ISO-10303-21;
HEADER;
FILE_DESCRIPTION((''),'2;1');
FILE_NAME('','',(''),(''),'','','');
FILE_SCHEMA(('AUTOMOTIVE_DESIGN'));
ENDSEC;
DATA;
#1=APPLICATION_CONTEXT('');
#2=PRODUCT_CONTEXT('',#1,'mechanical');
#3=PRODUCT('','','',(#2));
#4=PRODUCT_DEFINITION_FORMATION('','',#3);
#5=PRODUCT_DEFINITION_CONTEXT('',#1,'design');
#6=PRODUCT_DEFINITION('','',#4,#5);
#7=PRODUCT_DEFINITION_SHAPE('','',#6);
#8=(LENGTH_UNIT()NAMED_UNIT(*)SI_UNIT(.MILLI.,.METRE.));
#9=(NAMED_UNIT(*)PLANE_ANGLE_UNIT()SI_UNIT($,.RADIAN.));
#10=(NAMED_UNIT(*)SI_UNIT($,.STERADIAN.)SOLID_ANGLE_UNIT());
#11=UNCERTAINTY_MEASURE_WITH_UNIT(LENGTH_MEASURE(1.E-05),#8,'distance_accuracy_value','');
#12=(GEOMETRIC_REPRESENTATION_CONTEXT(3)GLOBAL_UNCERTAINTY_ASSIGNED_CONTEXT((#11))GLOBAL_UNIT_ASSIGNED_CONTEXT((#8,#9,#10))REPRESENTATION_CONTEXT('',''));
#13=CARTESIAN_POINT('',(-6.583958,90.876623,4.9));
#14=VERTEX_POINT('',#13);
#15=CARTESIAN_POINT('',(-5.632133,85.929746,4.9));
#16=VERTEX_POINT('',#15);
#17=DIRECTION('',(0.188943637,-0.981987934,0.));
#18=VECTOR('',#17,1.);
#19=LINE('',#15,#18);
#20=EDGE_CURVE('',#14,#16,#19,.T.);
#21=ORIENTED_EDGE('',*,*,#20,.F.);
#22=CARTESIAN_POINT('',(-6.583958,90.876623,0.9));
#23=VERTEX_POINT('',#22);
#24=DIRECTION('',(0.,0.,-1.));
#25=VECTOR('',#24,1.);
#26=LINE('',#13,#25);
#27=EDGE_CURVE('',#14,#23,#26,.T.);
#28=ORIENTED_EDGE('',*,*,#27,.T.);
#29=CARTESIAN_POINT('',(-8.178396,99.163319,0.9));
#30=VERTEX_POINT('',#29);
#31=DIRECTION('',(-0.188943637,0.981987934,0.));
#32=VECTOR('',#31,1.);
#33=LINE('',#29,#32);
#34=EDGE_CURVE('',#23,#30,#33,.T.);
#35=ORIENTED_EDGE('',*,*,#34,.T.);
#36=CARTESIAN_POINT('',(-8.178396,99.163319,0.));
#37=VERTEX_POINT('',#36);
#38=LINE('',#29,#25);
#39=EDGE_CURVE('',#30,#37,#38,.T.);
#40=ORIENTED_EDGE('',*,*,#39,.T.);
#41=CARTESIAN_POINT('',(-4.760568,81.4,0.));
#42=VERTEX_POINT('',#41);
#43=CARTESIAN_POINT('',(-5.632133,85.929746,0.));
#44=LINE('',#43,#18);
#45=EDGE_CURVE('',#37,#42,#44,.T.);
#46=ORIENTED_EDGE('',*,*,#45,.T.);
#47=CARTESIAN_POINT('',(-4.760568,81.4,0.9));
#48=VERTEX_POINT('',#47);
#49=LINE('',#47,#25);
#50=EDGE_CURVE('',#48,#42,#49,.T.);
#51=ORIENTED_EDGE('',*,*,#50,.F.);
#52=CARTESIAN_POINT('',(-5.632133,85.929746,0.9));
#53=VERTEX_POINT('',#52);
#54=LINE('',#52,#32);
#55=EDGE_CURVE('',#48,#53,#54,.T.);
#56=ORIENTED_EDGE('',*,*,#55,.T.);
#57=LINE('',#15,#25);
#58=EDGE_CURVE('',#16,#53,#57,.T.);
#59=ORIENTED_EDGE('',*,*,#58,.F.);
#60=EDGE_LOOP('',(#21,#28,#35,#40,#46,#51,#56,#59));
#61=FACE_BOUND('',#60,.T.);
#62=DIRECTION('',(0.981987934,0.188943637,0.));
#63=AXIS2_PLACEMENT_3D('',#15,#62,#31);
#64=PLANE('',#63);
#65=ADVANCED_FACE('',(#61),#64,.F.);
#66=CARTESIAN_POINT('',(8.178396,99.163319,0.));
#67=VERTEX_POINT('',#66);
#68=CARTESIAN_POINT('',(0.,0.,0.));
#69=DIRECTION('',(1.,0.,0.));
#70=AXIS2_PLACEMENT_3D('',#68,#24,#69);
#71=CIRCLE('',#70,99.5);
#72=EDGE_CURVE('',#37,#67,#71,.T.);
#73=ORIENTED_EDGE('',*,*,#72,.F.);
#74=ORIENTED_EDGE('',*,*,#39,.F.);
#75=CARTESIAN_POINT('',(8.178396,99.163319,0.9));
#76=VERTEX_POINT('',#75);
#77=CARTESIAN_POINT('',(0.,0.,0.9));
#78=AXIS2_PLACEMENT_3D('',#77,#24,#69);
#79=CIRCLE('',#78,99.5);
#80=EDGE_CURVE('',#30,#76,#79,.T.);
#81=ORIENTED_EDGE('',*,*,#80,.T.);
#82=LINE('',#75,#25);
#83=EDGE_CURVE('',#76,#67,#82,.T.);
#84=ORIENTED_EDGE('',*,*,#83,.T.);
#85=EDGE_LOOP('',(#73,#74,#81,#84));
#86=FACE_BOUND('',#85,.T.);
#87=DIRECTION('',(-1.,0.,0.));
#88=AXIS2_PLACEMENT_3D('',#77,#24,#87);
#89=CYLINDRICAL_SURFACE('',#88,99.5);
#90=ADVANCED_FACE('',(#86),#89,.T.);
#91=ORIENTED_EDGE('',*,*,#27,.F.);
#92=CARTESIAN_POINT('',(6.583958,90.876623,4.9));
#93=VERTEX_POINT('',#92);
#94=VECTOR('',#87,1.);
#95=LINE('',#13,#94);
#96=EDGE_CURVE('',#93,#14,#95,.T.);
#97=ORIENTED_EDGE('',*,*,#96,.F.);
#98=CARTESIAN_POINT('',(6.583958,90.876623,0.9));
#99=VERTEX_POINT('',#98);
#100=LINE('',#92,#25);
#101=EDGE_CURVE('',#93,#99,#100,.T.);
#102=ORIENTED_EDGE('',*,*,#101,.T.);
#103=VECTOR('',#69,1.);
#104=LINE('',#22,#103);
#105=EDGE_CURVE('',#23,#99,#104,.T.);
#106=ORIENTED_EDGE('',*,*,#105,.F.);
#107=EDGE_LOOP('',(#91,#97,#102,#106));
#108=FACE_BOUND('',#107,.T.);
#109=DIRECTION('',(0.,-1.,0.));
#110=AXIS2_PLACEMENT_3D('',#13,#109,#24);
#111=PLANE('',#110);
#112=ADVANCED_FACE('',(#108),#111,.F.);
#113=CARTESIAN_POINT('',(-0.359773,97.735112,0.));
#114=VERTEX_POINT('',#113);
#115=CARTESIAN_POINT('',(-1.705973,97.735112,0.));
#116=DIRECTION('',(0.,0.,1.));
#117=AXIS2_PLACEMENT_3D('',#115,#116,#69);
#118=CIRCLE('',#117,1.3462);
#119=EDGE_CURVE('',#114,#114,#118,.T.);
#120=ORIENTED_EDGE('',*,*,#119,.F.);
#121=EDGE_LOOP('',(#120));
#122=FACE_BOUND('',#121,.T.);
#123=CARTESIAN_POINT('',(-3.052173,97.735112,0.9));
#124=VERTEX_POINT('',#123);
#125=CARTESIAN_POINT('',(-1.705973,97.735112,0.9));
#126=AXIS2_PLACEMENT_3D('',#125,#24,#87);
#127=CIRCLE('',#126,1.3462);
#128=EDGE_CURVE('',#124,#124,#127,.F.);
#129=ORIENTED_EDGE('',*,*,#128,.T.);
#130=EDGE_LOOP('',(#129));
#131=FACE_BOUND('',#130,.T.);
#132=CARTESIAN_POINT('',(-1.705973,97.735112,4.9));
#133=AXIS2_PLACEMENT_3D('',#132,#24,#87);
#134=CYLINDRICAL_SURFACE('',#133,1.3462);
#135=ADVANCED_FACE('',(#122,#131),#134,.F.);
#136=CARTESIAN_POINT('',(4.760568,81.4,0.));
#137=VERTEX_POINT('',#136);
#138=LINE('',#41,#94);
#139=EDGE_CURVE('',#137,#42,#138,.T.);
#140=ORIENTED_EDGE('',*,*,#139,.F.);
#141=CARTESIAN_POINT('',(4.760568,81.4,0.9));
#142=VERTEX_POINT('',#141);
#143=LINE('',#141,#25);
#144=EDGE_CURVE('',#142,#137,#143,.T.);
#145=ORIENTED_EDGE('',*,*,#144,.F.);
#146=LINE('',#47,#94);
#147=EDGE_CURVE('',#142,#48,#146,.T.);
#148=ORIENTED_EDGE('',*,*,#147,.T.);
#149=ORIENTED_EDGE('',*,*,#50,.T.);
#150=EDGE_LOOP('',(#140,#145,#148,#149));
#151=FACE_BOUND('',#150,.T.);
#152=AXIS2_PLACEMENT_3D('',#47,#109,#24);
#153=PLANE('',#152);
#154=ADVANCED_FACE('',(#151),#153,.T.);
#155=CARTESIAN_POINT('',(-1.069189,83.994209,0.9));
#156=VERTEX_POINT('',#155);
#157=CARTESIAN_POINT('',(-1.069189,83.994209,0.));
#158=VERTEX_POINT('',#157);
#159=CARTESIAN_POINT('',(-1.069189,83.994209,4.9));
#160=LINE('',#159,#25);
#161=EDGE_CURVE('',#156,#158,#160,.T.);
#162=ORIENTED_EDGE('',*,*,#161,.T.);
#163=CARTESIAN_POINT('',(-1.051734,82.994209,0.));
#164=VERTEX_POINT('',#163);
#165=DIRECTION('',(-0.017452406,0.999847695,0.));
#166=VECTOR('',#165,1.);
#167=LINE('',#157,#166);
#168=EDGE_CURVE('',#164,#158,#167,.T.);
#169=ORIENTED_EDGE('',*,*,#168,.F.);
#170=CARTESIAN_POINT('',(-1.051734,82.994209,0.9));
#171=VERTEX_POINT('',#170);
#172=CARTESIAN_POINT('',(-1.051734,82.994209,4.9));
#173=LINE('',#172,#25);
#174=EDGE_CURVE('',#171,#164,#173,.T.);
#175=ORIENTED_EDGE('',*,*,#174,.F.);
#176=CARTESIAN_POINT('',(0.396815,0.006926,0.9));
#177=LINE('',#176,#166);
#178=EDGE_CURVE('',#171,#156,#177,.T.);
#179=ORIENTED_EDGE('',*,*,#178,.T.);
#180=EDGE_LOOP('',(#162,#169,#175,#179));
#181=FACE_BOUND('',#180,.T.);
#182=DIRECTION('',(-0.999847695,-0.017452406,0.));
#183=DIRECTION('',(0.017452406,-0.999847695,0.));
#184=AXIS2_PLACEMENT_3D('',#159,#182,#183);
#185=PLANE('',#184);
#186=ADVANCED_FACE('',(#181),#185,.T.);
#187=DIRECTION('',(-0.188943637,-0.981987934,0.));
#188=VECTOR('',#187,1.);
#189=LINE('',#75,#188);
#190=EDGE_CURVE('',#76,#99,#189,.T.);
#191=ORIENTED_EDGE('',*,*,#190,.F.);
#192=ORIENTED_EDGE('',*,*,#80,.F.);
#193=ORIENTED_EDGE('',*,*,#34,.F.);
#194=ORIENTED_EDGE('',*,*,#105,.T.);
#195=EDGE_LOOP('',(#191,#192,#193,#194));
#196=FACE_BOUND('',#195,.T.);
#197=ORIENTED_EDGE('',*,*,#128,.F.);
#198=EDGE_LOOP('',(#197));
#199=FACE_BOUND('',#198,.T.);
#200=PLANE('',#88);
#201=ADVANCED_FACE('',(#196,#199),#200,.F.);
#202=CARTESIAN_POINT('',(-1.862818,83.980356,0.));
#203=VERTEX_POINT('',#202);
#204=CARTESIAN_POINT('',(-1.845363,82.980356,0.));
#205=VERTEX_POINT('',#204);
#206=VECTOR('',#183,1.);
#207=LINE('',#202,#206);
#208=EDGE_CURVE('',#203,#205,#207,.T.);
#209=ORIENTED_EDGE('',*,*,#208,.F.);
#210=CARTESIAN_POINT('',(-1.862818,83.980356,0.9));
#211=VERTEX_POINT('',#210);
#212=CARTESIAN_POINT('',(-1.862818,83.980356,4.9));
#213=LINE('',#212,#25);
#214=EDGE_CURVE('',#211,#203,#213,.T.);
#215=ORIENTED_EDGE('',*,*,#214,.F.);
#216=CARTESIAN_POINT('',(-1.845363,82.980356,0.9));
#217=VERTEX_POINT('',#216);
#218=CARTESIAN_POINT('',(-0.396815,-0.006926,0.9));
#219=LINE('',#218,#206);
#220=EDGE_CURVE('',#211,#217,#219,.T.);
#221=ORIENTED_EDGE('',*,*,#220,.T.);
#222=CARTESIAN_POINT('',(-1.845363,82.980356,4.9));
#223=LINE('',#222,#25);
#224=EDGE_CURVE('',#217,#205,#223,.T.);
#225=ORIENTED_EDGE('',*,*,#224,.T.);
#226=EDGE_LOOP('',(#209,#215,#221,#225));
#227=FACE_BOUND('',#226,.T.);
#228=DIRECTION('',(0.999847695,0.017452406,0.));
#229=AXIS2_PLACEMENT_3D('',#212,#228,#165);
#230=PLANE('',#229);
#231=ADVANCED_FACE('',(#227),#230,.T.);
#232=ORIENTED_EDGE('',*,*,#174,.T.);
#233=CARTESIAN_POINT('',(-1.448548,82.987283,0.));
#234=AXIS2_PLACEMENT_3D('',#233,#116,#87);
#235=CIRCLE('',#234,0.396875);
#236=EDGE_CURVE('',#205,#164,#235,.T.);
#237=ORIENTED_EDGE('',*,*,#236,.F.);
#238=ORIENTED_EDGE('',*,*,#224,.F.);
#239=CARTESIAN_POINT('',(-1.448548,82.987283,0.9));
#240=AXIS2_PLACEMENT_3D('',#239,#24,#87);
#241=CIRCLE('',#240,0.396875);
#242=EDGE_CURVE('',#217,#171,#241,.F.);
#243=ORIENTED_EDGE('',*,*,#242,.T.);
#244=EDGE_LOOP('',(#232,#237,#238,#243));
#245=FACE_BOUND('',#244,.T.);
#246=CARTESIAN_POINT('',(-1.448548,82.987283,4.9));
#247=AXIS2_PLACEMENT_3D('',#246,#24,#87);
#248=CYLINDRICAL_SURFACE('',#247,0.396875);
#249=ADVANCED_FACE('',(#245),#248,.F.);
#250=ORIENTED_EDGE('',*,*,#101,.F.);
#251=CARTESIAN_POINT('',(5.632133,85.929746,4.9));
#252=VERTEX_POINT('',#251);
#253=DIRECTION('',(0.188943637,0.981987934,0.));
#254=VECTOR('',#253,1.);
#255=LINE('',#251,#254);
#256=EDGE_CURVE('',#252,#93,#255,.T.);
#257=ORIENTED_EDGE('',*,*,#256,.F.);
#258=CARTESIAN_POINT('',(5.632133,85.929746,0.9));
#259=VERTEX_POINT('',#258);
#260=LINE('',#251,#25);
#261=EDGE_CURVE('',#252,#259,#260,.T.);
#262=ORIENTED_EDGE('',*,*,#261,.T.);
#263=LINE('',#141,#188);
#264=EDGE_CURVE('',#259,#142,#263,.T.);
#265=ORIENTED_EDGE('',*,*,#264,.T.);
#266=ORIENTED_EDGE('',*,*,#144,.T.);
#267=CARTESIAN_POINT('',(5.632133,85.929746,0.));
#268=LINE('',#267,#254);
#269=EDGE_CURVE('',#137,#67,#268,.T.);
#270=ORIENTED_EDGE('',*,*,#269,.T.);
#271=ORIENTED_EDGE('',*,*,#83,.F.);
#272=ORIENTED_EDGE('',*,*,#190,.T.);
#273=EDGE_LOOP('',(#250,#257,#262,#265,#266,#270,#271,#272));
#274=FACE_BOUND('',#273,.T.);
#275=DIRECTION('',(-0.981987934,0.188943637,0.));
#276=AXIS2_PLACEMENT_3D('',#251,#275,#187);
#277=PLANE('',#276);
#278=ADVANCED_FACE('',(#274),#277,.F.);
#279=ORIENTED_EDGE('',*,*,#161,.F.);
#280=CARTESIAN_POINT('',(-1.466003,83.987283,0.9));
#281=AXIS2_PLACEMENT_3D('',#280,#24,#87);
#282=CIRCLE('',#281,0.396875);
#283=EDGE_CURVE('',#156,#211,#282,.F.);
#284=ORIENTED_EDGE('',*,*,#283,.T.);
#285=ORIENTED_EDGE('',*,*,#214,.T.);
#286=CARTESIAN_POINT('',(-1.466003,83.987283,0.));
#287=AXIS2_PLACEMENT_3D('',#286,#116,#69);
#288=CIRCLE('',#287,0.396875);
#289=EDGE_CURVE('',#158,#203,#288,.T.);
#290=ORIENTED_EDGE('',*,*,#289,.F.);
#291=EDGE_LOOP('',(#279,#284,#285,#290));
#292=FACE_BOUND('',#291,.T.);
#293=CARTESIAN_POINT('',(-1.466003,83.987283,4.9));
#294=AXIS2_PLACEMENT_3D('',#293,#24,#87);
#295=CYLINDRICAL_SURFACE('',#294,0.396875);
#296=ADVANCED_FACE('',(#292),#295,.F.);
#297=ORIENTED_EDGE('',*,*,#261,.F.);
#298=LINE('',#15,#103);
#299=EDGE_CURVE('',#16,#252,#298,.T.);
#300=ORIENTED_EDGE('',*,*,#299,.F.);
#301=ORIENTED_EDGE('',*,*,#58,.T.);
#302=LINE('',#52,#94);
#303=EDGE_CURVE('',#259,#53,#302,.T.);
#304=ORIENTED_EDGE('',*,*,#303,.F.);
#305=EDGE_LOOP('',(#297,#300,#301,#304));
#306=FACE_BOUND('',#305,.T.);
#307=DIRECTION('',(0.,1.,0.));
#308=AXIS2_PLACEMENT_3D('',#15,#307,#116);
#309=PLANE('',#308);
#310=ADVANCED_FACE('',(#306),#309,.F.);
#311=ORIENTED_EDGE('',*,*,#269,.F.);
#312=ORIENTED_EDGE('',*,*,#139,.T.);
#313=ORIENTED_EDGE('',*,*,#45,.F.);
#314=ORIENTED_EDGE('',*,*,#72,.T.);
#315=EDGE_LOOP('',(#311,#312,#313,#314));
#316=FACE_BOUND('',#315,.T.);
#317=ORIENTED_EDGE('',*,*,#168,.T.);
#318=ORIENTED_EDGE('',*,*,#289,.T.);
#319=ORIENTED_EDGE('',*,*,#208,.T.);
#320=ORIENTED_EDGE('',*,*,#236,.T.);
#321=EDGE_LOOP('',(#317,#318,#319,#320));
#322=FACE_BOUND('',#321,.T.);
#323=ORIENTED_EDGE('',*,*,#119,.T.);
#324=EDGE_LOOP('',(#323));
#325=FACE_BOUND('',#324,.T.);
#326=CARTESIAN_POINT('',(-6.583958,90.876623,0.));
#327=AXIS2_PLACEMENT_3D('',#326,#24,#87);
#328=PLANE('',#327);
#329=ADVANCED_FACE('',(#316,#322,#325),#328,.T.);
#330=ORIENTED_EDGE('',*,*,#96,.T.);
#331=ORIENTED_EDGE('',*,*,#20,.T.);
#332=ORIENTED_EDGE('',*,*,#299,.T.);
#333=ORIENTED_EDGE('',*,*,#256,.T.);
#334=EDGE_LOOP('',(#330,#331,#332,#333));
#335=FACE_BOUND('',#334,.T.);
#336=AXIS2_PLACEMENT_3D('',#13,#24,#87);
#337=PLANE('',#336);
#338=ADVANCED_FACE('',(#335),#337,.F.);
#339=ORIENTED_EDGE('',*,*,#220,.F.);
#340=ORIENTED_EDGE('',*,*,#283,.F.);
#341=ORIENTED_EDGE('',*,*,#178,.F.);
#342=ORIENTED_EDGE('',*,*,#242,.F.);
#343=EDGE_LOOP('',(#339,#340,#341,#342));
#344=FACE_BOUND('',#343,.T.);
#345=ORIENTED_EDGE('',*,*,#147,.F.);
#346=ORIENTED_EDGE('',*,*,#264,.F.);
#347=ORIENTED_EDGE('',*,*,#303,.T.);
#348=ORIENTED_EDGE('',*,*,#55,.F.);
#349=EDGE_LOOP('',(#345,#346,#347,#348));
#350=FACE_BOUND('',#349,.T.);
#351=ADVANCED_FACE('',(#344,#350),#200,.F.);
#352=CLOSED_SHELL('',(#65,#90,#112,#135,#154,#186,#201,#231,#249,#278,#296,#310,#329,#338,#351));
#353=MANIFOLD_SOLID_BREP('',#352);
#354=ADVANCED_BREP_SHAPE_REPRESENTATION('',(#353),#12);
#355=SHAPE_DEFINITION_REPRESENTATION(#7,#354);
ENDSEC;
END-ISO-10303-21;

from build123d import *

# Parameters (mm, degrees)
EXTRUDE1_DEPTH     = 4.9
EXTRUDE2_DEPTH     = 0.9
SKETCH3_R          = 1.3462
CUT_EXTRUDE2_DEPTH = 5.9


with BuildPart() as part:
    # Sketch1 → Extrude1 (new body)
    with BuildSketch(Plane.XY):
        Polygon((-6.583958388, 90.87662316), (6.583958388, 90.87662316), (5.632133126, 85.929746212), (-5.632133126, 85.929746212), align=None)
    extrude(amount=EXTRUDE1_DEPTH)

    # Sketch2 → Extrude2 (add)
    with BuildSketch(Plane(origin=(0, 0, 0), x_dir=(-1, 0, 0), z_dir=(0, 0, -1))):
        with BuildLine():
            Line((8.178395959, 99.163319022), (6.538639227, 90.641088001))
            ThreePointArc((6.538639227, 90.641088001), (0, 90.87662316), (-6.538639227, 90.641088001))
            Line((-6.538639227, 90.641088001), (-8.178395959, 99.163319022))
            ThreePointArc((-8.178395959, 99.163319022), (0, 99.5), (8.178395959, 99.163319022))
        make_face()
        with BuildLine():
            Line((5.632133126, 85.929746212), (4.760567707, 81.4))
            Line((4.760567707, 81.4), (-4.760567707, 81.4))
            Line((-4.760567707, 81.4), (-5.632133126, 85.929746212))
            ThreePointArc((-5.632133126, 85.929746212), (0, 86.11412316), (5.632133126, 85.929746212))
        make_face()
    extrude(amount=-EXTRUDE2_DEPTH)

    # Sketch3 → Cut-Extrude2 (cut, through all)
    with BuildSketch(Plane.XY):
        with Locations(Location((-1.705972729, 97.735112202, 0), (0, 0, 180))):  # turned: the seam where the file's is
            Circle(SKETCH3_R)
        with BuildLine():
            Line((-1.069188916, 83.994208969), (-1.051733851, 82.994208969))
            ThreePointArc((-1.051733851, 82.994208969), (-1.441621981, 82.590467992), (-1.845362959, 82.980356122))
            Line((-1.845362959, 82.980356122), (-1.862818024, 83.980356122))
            ThreePointArc((-1.862818024, 83.980356122), (-1.472929894, 84.3840971), (-1.069188916, 83.994208969))
        make_face()
    extrude(amount=CUT_EXTRUDE2_DEPTH, mode=Mode.SUBTRACT)


solid = part.part
